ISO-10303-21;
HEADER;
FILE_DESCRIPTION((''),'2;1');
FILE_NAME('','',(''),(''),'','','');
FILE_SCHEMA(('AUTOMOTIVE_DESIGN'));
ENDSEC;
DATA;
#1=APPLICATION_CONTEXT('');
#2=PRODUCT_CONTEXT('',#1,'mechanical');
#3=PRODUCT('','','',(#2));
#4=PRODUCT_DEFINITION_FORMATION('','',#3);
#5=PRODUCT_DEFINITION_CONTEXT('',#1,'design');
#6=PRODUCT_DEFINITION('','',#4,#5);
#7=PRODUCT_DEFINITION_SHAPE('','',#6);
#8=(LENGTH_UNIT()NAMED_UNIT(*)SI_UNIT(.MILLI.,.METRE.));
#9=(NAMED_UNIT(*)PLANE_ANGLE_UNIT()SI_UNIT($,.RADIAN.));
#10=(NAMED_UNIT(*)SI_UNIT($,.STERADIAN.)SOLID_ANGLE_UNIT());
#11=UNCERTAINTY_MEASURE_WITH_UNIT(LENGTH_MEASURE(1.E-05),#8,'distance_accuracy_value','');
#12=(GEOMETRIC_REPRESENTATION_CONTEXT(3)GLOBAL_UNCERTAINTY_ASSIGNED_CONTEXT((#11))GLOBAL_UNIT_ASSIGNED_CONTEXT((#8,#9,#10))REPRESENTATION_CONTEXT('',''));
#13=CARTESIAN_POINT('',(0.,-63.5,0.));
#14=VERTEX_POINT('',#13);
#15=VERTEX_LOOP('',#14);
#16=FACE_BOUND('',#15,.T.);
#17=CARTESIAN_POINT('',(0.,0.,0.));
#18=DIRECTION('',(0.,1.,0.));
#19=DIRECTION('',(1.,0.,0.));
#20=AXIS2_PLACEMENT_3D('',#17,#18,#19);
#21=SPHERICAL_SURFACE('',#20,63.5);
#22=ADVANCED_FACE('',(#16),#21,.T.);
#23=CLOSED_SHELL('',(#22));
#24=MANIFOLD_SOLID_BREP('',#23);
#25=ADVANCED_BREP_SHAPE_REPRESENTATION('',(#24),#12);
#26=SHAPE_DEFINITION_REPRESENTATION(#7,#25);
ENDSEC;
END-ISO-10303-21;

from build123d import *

# Parameters (mm, degrees)
F0_W = 63.5
F0_H = 127


with BuildPart() as f1:
    # F0 (on Top) → F1 (revolve)
    with BuildSketch(Plane.XY):
        with Locations((-31.75, 0)):
            Rectangle(F0_W, F0_H)
    revolve(axis=Axis((0, 0, 0), (0, -1, 0)))

    # F2 (on Top) → F3 (revolve, intersect)
    with BuildSketch(Plane.XY):
        with BuildLine():
            ThreePointArc((0, -63.5), (63.5, 0), (0, 63.5))
            Line((0, 63.5), (0, -63.5))
        make_face()
    revolve(axis=Axis((0, 0, 0), (0, 1, 0)), mode=Mode.INTERSECT)


solid = f1.part
